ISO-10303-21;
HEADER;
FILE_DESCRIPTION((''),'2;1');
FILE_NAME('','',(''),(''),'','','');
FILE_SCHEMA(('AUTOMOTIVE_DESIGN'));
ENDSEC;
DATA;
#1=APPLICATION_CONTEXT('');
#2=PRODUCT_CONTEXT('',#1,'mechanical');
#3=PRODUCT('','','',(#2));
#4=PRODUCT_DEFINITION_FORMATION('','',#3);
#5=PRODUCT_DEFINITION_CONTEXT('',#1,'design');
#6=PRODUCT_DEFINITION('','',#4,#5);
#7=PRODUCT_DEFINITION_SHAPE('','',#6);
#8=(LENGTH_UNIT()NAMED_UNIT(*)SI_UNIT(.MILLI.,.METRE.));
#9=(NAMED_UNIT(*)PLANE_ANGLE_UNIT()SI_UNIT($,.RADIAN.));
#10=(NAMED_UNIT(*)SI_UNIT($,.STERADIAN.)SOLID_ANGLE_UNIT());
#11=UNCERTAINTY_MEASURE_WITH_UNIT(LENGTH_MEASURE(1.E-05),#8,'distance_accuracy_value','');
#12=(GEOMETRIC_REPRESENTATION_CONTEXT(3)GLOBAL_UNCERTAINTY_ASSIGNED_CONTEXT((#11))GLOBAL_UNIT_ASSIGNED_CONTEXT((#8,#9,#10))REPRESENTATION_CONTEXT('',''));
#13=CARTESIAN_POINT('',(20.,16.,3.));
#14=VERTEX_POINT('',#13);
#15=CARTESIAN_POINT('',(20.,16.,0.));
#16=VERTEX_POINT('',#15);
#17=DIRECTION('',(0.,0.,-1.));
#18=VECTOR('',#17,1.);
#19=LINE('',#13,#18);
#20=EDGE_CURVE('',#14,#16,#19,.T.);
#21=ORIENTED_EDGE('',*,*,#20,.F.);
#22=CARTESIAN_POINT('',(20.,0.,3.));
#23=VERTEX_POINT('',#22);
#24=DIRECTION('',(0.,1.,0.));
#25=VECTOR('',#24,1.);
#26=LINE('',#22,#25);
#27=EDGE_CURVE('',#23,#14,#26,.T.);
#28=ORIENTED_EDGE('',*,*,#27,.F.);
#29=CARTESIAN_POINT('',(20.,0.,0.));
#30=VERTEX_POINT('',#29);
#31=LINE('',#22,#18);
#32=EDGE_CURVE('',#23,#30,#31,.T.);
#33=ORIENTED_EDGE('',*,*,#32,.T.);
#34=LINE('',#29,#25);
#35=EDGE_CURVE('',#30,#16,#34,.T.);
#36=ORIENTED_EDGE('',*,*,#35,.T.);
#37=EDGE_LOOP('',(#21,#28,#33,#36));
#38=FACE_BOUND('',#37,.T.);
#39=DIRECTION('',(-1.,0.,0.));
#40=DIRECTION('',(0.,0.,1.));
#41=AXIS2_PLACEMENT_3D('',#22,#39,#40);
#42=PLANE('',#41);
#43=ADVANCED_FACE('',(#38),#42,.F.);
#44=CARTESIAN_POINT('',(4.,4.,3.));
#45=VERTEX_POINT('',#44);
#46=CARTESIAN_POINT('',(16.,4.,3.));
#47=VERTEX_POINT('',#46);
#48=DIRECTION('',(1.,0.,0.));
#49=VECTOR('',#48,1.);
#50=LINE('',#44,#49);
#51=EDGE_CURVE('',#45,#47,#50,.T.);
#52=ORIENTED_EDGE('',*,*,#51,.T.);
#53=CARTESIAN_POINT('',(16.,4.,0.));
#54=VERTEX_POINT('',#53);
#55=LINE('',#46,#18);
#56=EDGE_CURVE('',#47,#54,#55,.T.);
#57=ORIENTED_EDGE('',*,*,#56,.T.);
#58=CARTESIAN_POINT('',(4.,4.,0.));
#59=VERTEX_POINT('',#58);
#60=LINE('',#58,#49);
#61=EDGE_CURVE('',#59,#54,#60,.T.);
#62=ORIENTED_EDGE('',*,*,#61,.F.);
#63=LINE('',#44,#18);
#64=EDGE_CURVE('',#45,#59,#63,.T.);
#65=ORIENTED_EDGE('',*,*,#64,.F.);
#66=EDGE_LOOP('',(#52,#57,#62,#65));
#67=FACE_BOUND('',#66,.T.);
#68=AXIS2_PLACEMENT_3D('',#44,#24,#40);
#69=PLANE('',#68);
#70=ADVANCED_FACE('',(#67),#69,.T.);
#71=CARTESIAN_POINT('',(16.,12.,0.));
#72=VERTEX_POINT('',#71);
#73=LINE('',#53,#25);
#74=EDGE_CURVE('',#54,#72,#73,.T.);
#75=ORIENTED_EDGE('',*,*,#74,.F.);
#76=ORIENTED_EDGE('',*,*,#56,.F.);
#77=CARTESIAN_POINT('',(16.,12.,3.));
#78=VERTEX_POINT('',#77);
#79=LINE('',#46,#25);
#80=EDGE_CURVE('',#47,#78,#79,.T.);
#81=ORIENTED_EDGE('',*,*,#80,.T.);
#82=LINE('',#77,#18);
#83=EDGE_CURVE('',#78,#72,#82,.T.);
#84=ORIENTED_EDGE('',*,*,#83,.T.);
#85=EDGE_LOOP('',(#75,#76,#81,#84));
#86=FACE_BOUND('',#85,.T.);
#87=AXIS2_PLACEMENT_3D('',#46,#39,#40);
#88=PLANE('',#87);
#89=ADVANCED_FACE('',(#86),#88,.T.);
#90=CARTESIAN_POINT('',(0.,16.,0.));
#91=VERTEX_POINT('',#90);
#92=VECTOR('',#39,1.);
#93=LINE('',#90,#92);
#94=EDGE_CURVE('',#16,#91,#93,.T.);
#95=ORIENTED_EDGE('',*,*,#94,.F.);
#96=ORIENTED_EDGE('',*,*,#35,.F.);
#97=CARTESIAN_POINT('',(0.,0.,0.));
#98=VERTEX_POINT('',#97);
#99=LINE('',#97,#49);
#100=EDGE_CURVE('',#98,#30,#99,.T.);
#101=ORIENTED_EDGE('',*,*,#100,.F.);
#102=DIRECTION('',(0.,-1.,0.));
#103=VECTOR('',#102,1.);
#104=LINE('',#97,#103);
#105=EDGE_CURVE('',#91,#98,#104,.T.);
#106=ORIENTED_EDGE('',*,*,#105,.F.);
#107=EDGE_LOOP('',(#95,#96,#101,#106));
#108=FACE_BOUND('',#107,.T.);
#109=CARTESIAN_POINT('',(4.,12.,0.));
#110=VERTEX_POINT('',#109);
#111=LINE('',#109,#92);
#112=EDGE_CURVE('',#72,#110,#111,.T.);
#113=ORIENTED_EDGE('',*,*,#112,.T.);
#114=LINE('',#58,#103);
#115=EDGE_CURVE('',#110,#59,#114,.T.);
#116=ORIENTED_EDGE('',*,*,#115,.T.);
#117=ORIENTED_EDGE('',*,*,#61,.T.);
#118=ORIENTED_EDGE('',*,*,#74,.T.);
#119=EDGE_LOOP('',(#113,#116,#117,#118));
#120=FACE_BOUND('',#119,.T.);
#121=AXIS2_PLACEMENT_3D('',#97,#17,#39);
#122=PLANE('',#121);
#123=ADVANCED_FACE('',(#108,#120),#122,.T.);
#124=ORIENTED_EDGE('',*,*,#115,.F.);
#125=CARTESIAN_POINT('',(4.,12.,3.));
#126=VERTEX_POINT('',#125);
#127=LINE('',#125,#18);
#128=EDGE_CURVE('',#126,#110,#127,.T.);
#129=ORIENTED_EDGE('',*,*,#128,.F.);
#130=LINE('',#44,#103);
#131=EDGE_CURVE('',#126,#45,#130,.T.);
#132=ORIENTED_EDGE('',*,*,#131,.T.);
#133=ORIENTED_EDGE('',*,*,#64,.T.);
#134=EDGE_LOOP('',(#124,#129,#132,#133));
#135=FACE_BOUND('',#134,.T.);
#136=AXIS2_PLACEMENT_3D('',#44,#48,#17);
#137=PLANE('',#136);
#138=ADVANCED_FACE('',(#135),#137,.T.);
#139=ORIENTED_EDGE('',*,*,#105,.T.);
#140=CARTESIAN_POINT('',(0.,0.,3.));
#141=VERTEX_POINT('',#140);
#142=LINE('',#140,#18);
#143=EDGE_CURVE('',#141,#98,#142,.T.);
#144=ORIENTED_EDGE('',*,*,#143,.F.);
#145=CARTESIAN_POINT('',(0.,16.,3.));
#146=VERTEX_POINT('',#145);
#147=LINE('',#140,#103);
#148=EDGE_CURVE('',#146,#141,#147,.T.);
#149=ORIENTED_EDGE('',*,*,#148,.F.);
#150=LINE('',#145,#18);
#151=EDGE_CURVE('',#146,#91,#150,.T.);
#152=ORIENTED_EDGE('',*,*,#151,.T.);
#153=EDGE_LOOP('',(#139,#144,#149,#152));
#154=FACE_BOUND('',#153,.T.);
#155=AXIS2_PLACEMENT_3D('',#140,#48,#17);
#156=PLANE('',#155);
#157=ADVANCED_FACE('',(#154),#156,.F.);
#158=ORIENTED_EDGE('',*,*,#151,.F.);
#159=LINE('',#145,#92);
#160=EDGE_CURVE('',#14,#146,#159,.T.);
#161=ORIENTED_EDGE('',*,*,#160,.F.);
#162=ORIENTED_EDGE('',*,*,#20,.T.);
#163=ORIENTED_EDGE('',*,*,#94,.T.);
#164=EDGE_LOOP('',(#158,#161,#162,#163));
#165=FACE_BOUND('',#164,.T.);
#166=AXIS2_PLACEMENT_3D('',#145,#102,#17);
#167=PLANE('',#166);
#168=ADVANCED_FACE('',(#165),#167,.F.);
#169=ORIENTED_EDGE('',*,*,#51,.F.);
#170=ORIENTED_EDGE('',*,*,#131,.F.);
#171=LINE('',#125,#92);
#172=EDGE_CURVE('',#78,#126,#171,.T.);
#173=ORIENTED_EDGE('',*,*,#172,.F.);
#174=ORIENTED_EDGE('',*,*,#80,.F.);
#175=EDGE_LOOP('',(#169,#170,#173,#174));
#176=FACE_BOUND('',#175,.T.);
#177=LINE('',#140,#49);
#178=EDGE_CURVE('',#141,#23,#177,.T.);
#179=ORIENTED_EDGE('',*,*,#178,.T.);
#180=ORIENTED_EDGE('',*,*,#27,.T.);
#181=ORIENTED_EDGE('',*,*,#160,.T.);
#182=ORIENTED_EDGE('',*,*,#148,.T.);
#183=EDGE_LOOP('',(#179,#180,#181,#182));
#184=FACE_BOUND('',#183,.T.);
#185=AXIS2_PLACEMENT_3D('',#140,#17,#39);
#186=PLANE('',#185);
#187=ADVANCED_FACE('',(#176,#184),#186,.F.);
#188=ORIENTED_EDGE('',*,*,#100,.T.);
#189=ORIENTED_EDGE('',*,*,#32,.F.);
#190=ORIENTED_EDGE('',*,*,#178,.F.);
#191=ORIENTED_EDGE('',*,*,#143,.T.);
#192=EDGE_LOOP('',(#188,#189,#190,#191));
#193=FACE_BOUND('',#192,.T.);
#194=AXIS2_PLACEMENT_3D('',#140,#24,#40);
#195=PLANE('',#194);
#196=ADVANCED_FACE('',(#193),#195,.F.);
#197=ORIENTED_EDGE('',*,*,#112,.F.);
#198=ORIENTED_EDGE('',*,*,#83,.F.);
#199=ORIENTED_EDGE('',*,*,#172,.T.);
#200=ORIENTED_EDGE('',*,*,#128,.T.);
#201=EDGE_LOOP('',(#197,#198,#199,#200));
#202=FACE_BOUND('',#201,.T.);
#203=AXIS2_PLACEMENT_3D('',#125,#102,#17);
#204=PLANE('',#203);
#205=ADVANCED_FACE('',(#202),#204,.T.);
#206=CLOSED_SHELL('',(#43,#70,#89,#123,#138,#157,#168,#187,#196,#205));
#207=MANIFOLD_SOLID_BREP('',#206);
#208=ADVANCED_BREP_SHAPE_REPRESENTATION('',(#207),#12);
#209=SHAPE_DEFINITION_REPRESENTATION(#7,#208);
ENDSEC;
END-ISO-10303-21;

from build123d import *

# Parameters (mm, degrees)
SKETCH1_W     = 20
SKETCH1_H     = 16
SKETCH1_W_2   = 12
SKETCH1_H_2   = 8
PROFILE_DEPTH = 3


with BuildPart() as part:
    # Sketch1 → Profile (new body)
    with BuildSketch(Plane.XY):
        with Locations((10, 8)):
            Rectangle(SKETCH1_W, SKETCH1_H)
        with Locations((10, 8)):
            Rectangle(SKETCH1_W_2, SKETCH1_H_2, mode=Mode.SUBTRACT)
    extrude(amount=PROFILE_DEPTH)


solid = part.part
